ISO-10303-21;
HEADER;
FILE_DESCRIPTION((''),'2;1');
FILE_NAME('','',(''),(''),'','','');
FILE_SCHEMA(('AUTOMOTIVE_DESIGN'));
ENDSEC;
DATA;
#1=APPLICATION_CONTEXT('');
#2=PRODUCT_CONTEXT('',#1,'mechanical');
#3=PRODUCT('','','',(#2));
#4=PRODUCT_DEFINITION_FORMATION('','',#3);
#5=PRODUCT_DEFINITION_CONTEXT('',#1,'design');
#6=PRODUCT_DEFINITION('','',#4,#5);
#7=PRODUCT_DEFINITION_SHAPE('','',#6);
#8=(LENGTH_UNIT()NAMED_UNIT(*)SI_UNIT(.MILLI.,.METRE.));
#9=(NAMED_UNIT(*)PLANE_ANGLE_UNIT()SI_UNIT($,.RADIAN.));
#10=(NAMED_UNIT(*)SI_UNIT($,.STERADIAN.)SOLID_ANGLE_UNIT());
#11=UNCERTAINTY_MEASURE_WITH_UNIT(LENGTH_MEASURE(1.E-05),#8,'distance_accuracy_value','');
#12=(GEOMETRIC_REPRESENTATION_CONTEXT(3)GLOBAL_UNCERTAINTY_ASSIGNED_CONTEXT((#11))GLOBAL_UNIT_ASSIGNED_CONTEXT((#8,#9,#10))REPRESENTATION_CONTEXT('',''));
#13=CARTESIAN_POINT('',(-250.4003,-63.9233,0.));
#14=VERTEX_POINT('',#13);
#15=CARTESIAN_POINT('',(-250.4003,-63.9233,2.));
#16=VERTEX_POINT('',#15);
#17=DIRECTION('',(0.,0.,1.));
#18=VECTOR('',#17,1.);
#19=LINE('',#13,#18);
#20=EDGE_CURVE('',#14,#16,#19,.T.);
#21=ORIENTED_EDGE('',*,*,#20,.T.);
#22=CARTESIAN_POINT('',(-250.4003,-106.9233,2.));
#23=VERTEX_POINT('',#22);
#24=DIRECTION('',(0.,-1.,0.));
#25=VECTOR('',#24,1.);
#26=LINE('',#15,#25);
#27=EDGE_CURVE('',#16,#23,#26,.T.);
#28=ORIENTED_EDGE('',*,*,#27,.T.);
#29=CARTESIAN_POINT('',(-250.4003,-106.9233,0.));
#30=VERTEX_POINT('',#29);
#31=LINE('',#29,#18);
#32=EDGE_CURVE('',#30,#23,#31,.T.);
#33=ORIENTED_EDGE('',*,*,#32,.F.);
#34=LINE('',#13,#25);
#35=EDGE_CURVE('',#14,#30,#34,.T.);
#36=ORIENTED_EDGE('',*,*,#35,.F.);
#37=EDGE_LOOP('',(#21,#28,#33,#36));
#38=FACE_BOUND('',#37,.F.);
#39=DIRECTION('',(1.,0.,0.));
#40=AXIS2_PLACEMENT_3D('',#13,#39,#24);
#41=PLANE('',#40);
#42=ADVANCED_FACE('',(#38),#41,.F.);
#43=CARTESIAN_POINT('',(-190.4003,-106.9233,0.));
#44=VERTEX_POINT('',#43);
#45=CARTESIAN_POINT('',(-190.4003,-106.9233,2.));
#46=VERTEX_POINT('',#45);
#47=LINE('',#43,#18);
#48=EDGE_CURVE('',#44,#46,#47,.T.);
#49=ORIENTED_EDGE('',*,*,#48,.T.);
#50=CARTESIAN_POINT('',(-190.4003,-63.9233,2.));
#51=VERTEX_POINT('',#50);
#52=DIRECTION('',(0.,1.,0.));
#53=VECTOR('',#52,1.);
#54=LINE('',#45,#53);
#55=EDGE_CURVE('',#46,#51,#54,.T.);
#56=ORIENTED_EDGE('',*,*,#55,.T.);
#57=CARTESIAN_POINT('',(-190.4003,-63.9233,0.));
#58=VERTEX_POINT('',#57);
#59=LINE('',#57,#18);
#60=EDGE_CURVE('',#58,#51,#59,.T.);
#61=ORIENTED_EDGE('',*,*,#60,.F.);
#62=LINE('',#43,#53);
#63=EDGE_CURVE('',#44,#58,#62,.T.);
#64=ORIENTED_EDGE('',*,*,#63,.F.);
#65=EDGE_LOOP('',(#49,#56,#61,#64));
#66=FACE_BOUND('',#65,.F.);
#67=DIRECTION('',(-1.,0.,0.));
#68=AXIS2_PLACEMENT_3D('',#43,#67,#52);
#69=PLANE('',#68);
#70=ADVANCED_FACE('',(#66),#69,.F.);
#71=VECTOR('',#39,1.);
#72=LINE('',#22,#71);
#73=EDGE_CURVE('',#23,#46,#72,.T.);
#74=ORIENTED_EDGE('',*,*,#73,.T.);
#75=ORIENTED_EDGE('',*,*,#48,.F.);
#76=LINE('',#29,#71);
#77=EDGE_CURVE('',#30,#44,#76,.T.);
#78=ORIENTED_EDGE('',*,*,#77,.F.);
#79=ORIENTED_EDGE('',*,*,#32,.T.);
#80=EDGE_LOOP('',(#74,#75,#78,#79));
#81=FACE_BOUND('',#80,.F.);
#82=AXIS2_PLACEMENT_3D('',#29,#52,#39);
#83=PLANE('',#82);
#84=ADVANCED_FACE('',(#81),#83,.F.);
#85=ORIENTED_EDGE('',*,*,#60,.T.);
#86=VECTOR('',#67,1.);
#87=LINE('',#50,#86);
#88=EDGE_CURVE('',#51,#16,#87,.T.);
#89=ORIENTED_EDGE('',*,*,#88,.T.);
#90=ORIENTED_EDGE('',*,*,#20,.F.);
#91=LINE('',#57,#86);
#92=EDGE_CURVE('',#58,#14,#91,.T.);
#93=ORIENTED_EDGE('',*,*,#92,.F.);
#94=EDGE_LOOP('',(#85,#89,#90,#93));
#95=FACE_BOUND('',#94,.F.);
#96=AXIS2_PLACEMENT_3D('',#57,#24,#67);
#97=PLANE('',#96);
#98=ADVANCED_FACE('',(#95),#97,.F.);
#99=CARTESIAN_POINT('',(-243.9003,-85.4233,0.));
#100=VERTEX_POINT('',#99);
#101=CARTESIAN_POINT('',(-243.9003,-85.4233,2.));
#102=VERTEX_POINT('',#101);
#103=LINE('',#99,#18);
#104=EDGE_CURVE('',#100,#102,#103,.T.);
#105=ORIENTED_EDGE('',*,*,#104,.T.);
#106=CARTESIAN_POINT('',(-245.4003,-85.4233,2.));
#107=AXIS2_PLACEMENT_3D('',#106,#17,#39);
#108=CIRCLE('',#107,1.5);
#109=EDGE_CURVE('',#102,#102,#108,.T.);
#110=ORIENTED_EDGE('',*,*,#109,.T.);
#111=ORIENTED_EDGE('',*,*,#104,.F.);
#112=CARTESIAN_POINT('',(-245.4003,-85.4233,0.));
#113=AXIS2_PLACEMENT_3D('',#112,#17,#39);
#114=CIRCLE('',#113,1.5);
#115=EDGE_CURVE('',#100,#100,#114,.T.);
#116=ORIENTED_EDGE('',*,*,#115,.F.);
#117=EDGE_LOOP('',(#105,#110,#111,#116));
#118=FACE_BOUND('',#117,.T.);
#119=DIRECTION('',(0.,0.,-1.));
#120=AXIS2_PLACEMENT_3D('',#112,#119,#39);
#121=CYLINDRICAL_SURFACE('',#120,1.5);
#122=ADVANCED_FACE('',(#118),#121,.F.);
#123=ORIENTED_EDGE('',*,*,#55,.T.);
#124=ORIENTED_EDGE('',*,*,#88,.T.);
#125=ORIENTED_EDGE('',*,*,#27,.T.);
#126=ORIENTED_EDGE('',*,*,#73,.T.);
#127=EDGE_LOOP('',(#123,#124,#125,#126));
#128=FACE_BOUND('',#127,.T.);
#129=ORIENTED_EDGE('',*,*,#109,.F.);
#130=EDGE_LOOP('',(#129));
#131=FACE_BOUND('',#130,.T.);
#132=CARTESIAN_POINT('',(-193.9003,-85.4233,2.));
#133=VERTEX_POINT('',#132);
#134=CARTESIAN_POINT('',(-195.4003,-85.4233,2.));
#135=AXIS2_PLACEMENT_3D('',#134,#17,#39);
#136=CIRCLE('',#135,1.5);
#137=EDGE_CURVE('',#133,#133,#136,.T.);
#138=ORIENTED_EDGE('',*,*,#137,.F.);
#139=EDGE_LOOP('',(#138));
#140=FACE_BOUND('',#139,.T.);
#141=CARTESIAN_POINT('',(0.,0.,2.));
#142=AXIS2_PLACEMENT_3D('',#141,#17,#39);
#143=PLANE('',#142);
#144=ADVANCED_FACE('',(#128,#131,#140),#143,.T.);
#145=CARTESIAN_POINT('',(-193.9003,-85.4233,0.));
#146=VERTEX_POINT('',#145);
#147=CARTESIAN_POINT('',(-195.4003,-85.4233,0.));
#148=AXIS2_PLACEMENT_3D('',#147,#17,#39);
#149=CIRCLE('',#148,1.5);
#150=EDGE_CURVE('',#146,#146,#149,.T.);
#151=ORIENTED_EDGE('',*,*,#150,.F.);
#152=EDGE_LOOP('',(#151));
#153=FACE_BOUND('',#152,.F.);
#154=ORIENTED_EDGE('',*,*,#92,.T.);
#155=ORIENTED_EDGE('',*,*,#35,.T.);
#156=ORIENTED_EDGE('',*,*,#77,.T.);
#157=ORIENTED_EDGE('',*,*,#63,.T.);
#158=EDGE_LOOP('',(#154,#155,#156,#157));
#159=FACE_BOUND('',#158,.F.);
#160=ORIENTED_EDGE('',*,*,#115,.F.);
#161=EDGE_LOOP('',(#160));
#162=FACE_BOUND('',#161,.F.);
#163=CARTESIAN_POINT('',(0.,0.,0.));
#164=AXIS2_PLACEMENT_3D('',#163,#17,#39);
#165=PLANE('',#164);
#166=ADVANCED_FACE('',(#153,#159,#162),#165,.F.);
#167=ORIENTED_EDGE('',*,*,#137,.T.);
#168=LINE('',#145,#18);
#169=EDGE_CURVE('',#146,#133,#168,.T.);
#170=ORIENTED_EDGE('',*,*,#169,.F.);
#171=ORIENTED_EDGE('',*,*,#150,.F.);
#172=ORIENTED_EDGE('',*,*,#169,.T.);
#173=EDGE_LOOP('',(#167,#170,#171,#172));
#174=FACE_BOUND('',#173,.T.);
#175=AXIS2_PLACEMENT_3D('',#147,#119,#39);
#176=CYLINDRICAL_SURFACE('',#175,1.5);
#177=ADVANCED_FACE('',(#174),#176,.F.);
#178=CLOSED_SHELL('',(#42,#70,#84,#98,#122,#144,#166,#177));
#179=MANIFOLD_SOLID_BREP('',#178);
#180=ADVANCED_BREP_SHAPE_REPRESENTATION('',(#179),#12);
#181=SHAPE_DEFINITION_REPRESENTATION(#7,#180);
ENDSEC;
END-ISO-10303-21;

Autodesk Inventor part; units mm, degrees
ref_plane "YZ Plane" through (0, 0, 0) normal (1, 0, 0) x (0, 1, 0)
ref_plane "XZ Plane" through (0, 0, 0) normal (0, 1, 0) x (-1, 0, 0)
ref_plane "XY Plane" through (0, 0, 0) normal (0, 0, 1) x (1, 0, 0)
sketch "Sketch1" plane through (0, 0, 0) normal (0, 0, 1) x (1, 0, 0)
  line L0 (-190.4003, -106.9233) -> (-190.4003, -63.9233)
  line L1 (-190.4003, -63.9233) -> (-250.4003, -63.9233)
  line L2 (-250.4003, -63.9233) -> (-250.4003, -106.9233)
  line L3 (-250.4003, -106.9233) -> (-190.4003, -106.9233)
  circle A0 centre (-245.4003, -85.4233) radius 1.5
  circle A1 centre (-195.4003, -85.4233) radius 1.5
  point P0 (0, 0)
  dimension "d0" = 60
  dimension "d1" = 43
  dimension "d2" = 3
  dimension "d3" = 21.5
  dimension "d4" = 5
  dimension "d5" = 3
  dimension "d6" = 5
  dimension "d7" = 21.5
extrude "Extrusion1" add sketch "Sketch1" along normal blind 2
properties part number "cetakan sepatu 1"
